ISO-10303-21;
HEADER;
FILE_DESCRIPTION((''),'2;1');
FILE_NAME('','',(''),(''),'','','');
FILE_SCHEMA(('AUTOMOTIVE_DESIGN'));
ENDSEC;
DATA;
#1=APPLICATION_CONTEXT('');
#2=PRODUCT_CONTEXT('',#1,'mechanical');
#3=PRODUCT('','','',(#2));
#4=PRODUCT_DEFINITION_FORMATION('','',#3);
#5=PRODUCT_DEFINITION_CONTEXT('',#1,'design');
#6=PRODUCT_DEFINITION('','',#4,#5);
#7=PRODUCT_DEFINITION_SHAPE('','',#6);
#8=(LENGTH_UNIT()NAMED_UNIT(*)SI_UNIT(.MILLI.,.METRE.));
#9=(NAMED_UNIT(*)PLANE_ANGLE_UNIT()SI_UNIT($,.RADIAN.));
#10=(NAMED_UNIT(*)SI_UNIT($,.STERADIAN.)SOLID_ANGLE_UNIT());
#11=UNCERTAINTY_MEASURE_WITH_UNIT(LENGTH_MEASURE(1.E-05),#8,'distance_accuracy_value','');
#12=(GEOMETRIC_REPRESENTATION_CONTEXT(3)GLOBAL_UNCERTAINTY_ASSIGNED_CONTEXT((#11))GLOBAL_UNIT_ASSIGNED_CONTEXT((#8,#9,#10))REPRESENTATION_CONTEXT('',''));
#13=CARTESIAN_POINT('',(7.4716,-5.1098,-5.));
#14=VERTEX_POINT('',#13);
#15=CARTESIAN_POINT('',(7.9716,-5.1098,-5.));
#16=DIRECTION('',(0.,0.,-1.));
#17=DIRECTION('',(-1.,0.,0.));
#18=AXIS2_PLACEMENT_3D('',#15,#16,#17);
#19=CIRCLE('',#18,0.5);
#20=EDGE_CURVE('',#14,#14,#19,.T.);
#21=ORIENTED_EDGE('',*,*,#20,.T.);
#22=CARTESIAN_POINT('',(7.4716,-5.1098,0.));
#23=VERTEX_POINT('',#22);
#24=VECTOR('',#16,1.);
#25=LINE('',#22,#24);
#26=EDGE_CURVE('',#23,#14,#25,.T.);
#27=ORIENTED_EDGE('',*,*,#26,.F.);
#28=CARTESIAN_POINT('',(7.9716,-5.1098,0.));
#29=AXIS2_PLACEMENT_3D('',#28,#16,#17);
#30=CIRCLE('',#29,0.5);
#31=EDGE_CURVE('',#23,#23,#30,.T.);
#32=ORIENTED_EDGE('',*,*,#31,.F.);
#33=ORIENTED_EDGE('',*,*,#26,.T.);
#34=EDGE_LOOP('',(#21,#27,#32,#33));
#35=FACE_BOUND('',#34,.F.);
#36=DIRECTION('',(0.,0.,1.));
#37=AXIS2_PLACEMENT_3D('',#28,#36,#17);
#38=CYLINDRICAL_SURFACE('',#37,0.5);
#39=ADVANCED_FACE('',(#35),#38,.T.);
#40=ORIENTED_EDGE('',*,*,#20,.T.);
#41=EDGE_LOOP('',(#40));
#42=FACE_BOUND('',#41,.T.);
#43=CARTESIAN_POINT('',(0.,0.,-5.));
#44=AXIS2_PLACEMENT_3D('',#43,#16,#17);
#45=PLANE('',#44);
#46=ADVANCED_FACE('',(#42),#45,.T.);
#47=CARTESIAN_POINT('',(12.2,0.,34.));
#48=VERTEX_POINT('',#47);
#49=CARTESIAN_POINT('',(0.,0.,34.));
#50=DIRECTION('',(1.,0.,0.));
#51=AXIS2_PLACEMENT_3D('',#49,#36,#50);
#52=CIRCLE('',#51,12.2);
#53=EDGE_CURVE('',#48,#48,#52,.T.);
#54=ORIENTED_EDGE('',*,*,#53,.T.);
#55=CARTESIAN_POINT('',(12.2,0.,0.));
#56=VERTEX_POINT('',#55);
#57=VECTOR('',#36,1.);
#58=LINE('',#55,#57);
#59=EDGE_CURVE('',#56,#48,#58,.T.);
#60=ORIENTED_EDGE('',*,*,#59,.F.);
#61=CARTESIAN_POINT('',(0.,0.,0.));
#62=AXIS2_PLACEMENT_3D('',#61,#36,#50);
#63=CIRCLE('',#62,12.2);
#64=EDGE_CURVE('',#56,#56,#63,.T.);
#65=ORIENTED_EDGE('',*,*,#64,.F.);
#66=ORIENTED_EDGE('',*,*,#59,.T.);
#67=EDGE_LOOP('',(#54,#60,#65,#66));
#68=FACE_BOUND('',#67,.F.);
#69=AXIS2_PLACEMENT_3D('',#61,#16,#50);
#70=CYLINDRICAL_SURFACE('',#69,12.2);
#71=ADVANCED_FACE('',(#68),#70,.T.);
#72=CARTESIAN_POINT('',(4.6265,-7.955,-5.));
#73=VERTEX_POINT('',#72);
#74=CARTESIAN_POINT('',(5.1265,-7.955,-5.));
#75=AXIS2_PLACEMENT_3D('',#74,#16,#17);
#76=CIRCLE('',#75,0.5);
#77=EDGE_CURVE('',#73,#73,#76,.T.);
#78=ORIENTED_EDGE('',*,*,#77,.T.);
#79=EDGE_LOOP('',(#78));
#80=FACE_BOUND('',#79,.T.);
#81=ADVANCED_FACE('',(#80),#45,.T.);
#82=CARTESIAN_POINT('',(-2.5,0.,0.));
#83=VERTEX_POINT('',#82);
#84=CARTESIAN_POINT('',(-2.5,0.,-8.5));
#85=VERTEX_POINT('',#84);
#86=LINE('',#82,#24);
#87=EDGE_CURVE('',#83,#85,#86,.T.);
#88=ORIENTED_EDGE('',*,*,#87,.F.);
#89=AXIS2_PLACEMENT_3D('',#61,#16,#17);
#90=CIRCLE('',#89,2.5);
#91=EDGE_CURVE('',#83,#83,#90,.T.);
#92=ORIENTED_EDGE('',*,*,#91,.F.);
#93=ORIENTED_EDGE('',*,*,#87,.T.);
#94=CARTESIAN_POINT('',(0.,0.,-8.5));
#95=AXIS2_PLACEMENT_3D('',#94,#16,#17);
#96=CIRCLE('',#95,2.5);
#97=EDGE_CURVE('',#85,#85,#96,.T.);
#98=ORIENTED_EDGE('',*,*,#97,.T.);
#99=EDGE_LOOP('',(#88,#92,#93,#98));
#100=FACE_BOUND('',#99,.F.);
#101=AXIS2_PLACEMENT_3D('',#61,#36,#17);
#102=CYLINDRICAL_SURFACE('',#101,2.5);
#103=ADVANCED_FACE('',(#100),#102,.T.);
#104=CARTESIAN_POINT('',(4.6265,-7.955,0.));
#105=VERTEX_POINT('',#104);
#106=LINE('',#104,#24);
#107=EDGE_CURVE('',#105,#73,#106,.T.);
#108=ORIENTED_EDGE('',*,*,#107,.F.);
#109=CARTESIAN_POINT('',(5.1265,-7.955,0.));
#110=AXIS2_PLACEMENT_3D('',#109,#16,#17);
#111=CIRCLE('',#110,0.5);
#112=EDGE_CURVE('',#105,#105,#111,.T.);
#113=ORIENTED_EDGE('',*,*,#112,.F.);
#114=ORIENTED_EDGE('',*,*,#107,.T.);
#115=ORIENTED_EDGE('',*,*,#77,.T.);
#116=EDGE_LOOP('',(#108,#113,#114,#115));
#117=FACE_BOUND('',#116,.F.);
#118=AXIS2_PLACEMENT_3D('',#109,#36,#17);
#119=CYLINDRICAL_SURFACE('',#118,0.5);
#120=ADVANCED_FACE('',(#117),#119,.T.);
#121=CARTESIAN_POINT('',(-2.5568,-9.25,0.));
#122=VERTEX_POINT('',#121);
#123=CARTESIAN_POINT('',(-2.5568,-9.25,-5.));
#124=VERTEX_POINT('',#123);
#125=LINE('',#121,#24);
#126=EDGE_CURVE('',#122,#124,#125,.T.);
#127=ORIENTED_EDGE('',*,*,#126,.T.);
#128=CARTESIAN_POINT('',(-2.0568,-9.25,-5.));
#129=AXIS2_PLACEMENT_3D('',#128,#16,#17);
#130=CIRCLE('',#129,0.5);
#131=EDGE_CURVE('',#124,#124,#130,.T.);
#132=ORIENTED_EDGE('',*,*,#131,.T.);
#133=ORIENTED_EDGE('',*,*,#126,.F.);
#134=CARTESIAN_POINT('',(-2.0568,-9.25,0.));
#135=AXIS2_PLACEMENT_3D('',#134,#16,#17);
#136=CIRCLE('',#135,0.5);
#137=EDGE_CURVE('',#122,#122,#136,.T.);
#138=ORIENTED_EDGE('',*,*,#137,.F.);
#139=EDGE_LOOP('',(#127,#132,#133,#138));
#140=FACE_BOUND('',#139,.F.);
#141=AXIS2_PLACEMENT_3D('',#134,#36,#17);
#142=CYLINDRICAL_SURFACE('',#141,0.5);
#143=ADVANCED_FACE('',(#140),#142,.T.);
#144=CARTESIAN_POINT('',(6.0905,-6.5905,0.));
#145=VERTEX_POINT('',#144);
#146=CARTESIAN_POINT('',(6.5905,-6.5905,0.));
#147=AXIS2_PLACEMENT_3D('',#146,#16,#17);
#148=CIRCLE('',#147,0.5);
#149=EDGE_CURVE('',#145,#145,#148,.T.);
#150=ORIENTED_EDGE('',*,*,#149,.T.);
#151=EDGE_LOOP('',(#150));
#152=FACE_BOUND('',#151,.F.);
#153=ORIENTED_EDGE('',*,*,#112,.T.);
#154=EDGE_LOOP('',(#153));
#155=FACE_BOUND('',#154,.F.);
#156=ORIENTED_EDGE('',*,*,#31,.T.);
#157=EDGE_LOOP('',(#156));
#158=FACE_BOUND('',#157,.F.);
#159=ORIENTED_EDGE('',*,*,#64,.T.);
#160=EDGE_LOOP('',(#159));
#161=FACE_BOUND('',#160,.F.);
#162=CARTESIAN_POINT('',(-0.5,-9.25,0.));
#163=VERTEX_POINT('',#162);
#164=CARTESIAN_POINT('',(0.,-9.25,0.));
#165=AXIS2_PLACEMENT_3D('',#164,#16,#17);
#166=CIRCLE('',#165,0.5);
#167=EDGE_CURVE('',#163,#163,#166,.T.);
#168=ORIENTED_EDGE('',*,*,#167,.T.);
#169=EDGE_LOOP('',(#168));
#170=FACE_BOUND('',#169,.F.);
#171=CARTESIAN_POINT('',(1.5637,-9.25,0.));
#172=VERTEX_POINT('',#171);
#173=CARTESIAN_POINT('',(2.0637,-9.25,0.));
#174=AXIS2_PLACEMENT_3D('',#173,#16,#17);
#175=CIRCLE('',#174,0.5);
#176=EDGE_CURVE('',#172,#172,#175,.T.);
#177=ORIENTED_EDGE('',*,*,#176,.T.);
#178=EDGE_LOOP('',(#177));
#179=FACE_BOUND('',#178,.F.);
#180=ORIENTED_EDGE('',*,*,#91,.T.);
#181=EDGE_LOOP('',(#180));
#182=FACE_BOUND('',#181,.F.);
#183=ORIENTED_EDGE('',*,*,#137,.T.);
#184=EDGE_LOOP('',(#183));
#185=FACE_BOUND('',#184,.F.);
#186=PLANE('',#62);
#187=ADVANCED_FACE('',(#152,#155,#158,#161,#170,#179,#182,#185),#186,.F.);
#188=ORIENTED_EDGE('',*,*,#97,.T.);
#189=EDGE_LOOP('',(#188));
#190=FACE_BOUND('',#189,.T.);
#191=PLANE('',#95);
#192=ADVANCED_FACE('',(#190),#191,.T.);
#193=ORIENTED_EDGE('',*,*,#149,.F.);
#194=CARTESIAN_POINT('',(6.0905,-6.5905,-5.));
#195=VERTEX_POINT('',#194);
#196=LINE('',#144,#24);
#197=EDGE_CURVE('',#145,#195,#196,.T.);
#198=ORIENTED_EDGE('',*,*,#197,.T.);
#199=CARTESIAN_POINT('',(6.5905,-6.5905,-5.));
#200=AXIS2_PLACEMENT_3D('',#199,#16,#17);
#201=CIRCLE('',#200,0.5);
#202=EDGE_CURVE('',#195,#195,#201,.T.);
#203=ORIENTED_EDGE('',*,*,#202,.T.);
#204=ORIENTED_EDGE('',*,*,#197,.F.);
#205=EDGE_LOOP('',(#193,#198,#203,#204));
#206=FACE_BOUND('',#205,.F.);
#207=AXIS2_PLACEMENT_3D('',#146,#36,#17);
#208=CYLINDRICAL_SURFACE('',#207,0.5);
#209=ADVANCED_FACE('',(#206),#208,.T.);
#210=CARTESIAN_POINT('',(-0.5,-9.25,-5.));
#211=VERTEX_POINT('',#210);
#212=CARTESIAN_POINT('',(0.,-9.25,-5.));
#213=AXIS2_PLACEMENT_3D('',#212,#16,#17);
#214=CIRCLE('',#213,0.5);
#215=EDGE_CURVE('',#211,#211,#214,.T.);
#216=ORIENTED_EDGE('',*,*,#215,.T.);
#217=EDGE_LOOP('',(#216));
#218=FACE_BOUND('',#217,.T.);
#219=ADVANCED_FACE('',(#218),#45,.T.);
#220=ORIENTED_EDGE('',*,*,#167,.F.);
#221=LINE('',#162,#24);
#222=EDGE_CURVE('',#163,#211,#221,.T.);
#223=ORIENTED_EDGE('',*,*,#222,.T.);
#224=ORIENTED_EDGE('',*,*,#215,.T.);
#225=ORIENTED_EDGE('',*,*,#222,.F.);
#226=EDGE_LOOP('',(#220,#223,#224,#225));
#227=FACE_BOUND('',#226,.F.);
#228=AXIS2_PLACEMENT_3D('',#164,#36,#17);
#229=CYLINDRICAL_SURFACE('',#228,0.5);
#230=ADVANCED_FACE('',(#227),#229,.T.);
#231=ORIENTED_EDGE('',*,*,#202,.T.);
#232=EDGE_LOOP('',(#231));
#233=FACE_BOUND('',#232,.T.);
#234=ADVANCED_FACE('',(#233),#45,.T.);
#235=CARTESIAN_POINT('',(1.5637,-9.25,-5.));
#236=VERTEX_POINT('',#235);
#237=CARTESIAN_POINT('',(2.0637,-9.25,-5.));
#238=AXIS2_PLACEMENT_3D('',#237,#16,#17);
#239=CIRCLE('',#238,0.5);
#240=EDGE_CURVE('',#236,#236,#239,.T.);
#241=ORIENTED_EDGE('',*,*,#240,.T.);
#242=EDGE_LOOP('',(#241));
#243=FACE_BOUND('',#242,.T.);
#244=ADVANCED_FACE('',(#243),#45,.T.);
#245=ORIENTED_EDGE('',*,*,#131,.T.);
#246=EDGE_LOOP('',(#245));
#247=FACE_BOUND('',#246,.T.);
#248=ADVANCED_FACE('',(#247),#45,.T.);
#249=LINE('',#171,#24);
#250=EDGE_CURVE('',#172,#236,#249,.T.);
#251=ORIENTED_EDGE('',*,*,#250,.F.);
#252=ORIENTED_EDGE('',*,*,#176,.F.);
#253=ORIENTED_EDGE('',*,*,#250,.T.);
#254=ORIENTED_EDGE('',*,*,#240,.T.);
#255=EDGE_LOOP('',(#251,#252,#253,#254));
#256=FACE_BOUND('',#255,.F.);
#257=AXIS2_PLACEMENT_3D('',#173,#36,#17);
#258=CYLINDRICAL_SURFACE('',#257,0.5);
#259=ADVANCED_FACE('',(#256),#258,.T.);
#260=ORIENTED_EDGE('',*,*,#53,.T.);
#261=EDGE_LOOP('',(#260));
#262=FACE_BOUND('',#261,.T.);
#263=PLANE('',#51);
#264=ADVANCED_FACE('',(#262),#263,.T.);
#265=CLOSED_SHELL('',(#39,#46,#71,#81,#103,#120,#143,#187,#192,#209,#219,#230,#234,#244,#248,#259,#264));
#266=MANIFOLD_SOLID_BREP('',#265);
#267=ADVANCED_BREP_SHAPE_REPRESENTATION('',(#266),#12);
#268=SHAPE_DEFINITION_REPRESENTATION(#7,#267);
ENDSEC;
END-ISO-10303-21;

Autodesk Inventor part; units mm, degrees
ref_plane "YZ Plane" through (0, 0, 0) normal (1, 0, 0) x (0, 1, 0)
ref_plane "XZ Plane" through (0, 0, 0) normal (0, 1, 0) x (-1, 0, 0)
ref_plane "XY Plane" through (0, 0, 0) normal (0, 0, 1) x (1, 0, 0)
sketch "Sketch1" plane through (0, 0, 0) normal (0, 0, 1) x (1, 0, 0)
  circle A0 centre (0, 0) radius 12.2
  dimension "d0" = 24.4
extrude "Extrusion1" add sketch "Sketch1" along normal blind 34
sketch "Sketch2" plane through (0, 0, 0) normal (0, 0, -1) x (-1, 0, 0)
  circle A0 centre (0, 0) radius 2.5
  dimension "d3" = 5
extrude "Extrusion2" add sketch "Sketch2" along normal blind 8.5
sketch "Sketch3" plane through (0, 0, 0) normal (0, 0, -1) x (-1, 0, 0)
  line L0 (-3.25, -8) -> (3.25, -8) construction
  line L1 (3.25, -8) -> (3.25, -10.5) construction
  line L2 (3.25, -10.5) -> (-3.25, -10.5) construction
  line L3 (-3.25, -10.5) -> (-3.25, -8) construction
  line L4 (0, 0) -> (-3.25, -8) construction
  line L5 (3.25, -8) -> (0, 0) construction
  line L6 (0, 0) -> (0, -8) construction
  line L7 (-7.955, -3.3588) -> (-3.3588, -7.955) construction
  line L8 (-3.3588, -7.955) -> (-5.1265, -9.7227) construction
  line L9 (-5.1265, -9.7227) -> (-9.7227, -5.1265) construction
  line L10 (-9.7227, -5.1265) -> (-7.955, -3.3588) construction
  line L11 (0, 0) -> (-7.955, -3.3588) construction
  line L12 (-3.3588, -7.955) -> (0, 0) construction
  line L13 (0, 0) -> (-5.6569, -5.6569) construction
  circle A0 centre (-2.0637, -9.25) radius 0.5
  circle A1 centre (2.0568, -9.25) radius 0.5
  circle A2 centre (0, -9.25) radius 0.5
  circle A3 centre (-6.5905, -6.5905) radius 0.5
  circle A4 centre (-5.1265, -7.955) radius 0.5
  circle A5 centre (-7.9716, -5.1098) radius 0.5
  dimension "d6" = 2.5
  dimension "d7" = 6.5
  dimension "d8" = 8
  dimension "d9" = 2.5
  dimension "d10" = 6.5
  dimension "d11" = 8
  dimension "d12" = 45
  dimension "d13" = 1
  dimension "d14" = 1
  dimension "d15" = 1
  dimension "d18" = 1
  dimension "d19" = 1
  dimension "d20" = 1
extrude "Extrusion3" add sketch "Sketch3" along normal blind 5 contours A0 | A1 | A2
extrude "Extrusion4" add sketch "Sketch3" along normal blind 5 contours A3 | A4 | A5
properties part number "motor_body"
